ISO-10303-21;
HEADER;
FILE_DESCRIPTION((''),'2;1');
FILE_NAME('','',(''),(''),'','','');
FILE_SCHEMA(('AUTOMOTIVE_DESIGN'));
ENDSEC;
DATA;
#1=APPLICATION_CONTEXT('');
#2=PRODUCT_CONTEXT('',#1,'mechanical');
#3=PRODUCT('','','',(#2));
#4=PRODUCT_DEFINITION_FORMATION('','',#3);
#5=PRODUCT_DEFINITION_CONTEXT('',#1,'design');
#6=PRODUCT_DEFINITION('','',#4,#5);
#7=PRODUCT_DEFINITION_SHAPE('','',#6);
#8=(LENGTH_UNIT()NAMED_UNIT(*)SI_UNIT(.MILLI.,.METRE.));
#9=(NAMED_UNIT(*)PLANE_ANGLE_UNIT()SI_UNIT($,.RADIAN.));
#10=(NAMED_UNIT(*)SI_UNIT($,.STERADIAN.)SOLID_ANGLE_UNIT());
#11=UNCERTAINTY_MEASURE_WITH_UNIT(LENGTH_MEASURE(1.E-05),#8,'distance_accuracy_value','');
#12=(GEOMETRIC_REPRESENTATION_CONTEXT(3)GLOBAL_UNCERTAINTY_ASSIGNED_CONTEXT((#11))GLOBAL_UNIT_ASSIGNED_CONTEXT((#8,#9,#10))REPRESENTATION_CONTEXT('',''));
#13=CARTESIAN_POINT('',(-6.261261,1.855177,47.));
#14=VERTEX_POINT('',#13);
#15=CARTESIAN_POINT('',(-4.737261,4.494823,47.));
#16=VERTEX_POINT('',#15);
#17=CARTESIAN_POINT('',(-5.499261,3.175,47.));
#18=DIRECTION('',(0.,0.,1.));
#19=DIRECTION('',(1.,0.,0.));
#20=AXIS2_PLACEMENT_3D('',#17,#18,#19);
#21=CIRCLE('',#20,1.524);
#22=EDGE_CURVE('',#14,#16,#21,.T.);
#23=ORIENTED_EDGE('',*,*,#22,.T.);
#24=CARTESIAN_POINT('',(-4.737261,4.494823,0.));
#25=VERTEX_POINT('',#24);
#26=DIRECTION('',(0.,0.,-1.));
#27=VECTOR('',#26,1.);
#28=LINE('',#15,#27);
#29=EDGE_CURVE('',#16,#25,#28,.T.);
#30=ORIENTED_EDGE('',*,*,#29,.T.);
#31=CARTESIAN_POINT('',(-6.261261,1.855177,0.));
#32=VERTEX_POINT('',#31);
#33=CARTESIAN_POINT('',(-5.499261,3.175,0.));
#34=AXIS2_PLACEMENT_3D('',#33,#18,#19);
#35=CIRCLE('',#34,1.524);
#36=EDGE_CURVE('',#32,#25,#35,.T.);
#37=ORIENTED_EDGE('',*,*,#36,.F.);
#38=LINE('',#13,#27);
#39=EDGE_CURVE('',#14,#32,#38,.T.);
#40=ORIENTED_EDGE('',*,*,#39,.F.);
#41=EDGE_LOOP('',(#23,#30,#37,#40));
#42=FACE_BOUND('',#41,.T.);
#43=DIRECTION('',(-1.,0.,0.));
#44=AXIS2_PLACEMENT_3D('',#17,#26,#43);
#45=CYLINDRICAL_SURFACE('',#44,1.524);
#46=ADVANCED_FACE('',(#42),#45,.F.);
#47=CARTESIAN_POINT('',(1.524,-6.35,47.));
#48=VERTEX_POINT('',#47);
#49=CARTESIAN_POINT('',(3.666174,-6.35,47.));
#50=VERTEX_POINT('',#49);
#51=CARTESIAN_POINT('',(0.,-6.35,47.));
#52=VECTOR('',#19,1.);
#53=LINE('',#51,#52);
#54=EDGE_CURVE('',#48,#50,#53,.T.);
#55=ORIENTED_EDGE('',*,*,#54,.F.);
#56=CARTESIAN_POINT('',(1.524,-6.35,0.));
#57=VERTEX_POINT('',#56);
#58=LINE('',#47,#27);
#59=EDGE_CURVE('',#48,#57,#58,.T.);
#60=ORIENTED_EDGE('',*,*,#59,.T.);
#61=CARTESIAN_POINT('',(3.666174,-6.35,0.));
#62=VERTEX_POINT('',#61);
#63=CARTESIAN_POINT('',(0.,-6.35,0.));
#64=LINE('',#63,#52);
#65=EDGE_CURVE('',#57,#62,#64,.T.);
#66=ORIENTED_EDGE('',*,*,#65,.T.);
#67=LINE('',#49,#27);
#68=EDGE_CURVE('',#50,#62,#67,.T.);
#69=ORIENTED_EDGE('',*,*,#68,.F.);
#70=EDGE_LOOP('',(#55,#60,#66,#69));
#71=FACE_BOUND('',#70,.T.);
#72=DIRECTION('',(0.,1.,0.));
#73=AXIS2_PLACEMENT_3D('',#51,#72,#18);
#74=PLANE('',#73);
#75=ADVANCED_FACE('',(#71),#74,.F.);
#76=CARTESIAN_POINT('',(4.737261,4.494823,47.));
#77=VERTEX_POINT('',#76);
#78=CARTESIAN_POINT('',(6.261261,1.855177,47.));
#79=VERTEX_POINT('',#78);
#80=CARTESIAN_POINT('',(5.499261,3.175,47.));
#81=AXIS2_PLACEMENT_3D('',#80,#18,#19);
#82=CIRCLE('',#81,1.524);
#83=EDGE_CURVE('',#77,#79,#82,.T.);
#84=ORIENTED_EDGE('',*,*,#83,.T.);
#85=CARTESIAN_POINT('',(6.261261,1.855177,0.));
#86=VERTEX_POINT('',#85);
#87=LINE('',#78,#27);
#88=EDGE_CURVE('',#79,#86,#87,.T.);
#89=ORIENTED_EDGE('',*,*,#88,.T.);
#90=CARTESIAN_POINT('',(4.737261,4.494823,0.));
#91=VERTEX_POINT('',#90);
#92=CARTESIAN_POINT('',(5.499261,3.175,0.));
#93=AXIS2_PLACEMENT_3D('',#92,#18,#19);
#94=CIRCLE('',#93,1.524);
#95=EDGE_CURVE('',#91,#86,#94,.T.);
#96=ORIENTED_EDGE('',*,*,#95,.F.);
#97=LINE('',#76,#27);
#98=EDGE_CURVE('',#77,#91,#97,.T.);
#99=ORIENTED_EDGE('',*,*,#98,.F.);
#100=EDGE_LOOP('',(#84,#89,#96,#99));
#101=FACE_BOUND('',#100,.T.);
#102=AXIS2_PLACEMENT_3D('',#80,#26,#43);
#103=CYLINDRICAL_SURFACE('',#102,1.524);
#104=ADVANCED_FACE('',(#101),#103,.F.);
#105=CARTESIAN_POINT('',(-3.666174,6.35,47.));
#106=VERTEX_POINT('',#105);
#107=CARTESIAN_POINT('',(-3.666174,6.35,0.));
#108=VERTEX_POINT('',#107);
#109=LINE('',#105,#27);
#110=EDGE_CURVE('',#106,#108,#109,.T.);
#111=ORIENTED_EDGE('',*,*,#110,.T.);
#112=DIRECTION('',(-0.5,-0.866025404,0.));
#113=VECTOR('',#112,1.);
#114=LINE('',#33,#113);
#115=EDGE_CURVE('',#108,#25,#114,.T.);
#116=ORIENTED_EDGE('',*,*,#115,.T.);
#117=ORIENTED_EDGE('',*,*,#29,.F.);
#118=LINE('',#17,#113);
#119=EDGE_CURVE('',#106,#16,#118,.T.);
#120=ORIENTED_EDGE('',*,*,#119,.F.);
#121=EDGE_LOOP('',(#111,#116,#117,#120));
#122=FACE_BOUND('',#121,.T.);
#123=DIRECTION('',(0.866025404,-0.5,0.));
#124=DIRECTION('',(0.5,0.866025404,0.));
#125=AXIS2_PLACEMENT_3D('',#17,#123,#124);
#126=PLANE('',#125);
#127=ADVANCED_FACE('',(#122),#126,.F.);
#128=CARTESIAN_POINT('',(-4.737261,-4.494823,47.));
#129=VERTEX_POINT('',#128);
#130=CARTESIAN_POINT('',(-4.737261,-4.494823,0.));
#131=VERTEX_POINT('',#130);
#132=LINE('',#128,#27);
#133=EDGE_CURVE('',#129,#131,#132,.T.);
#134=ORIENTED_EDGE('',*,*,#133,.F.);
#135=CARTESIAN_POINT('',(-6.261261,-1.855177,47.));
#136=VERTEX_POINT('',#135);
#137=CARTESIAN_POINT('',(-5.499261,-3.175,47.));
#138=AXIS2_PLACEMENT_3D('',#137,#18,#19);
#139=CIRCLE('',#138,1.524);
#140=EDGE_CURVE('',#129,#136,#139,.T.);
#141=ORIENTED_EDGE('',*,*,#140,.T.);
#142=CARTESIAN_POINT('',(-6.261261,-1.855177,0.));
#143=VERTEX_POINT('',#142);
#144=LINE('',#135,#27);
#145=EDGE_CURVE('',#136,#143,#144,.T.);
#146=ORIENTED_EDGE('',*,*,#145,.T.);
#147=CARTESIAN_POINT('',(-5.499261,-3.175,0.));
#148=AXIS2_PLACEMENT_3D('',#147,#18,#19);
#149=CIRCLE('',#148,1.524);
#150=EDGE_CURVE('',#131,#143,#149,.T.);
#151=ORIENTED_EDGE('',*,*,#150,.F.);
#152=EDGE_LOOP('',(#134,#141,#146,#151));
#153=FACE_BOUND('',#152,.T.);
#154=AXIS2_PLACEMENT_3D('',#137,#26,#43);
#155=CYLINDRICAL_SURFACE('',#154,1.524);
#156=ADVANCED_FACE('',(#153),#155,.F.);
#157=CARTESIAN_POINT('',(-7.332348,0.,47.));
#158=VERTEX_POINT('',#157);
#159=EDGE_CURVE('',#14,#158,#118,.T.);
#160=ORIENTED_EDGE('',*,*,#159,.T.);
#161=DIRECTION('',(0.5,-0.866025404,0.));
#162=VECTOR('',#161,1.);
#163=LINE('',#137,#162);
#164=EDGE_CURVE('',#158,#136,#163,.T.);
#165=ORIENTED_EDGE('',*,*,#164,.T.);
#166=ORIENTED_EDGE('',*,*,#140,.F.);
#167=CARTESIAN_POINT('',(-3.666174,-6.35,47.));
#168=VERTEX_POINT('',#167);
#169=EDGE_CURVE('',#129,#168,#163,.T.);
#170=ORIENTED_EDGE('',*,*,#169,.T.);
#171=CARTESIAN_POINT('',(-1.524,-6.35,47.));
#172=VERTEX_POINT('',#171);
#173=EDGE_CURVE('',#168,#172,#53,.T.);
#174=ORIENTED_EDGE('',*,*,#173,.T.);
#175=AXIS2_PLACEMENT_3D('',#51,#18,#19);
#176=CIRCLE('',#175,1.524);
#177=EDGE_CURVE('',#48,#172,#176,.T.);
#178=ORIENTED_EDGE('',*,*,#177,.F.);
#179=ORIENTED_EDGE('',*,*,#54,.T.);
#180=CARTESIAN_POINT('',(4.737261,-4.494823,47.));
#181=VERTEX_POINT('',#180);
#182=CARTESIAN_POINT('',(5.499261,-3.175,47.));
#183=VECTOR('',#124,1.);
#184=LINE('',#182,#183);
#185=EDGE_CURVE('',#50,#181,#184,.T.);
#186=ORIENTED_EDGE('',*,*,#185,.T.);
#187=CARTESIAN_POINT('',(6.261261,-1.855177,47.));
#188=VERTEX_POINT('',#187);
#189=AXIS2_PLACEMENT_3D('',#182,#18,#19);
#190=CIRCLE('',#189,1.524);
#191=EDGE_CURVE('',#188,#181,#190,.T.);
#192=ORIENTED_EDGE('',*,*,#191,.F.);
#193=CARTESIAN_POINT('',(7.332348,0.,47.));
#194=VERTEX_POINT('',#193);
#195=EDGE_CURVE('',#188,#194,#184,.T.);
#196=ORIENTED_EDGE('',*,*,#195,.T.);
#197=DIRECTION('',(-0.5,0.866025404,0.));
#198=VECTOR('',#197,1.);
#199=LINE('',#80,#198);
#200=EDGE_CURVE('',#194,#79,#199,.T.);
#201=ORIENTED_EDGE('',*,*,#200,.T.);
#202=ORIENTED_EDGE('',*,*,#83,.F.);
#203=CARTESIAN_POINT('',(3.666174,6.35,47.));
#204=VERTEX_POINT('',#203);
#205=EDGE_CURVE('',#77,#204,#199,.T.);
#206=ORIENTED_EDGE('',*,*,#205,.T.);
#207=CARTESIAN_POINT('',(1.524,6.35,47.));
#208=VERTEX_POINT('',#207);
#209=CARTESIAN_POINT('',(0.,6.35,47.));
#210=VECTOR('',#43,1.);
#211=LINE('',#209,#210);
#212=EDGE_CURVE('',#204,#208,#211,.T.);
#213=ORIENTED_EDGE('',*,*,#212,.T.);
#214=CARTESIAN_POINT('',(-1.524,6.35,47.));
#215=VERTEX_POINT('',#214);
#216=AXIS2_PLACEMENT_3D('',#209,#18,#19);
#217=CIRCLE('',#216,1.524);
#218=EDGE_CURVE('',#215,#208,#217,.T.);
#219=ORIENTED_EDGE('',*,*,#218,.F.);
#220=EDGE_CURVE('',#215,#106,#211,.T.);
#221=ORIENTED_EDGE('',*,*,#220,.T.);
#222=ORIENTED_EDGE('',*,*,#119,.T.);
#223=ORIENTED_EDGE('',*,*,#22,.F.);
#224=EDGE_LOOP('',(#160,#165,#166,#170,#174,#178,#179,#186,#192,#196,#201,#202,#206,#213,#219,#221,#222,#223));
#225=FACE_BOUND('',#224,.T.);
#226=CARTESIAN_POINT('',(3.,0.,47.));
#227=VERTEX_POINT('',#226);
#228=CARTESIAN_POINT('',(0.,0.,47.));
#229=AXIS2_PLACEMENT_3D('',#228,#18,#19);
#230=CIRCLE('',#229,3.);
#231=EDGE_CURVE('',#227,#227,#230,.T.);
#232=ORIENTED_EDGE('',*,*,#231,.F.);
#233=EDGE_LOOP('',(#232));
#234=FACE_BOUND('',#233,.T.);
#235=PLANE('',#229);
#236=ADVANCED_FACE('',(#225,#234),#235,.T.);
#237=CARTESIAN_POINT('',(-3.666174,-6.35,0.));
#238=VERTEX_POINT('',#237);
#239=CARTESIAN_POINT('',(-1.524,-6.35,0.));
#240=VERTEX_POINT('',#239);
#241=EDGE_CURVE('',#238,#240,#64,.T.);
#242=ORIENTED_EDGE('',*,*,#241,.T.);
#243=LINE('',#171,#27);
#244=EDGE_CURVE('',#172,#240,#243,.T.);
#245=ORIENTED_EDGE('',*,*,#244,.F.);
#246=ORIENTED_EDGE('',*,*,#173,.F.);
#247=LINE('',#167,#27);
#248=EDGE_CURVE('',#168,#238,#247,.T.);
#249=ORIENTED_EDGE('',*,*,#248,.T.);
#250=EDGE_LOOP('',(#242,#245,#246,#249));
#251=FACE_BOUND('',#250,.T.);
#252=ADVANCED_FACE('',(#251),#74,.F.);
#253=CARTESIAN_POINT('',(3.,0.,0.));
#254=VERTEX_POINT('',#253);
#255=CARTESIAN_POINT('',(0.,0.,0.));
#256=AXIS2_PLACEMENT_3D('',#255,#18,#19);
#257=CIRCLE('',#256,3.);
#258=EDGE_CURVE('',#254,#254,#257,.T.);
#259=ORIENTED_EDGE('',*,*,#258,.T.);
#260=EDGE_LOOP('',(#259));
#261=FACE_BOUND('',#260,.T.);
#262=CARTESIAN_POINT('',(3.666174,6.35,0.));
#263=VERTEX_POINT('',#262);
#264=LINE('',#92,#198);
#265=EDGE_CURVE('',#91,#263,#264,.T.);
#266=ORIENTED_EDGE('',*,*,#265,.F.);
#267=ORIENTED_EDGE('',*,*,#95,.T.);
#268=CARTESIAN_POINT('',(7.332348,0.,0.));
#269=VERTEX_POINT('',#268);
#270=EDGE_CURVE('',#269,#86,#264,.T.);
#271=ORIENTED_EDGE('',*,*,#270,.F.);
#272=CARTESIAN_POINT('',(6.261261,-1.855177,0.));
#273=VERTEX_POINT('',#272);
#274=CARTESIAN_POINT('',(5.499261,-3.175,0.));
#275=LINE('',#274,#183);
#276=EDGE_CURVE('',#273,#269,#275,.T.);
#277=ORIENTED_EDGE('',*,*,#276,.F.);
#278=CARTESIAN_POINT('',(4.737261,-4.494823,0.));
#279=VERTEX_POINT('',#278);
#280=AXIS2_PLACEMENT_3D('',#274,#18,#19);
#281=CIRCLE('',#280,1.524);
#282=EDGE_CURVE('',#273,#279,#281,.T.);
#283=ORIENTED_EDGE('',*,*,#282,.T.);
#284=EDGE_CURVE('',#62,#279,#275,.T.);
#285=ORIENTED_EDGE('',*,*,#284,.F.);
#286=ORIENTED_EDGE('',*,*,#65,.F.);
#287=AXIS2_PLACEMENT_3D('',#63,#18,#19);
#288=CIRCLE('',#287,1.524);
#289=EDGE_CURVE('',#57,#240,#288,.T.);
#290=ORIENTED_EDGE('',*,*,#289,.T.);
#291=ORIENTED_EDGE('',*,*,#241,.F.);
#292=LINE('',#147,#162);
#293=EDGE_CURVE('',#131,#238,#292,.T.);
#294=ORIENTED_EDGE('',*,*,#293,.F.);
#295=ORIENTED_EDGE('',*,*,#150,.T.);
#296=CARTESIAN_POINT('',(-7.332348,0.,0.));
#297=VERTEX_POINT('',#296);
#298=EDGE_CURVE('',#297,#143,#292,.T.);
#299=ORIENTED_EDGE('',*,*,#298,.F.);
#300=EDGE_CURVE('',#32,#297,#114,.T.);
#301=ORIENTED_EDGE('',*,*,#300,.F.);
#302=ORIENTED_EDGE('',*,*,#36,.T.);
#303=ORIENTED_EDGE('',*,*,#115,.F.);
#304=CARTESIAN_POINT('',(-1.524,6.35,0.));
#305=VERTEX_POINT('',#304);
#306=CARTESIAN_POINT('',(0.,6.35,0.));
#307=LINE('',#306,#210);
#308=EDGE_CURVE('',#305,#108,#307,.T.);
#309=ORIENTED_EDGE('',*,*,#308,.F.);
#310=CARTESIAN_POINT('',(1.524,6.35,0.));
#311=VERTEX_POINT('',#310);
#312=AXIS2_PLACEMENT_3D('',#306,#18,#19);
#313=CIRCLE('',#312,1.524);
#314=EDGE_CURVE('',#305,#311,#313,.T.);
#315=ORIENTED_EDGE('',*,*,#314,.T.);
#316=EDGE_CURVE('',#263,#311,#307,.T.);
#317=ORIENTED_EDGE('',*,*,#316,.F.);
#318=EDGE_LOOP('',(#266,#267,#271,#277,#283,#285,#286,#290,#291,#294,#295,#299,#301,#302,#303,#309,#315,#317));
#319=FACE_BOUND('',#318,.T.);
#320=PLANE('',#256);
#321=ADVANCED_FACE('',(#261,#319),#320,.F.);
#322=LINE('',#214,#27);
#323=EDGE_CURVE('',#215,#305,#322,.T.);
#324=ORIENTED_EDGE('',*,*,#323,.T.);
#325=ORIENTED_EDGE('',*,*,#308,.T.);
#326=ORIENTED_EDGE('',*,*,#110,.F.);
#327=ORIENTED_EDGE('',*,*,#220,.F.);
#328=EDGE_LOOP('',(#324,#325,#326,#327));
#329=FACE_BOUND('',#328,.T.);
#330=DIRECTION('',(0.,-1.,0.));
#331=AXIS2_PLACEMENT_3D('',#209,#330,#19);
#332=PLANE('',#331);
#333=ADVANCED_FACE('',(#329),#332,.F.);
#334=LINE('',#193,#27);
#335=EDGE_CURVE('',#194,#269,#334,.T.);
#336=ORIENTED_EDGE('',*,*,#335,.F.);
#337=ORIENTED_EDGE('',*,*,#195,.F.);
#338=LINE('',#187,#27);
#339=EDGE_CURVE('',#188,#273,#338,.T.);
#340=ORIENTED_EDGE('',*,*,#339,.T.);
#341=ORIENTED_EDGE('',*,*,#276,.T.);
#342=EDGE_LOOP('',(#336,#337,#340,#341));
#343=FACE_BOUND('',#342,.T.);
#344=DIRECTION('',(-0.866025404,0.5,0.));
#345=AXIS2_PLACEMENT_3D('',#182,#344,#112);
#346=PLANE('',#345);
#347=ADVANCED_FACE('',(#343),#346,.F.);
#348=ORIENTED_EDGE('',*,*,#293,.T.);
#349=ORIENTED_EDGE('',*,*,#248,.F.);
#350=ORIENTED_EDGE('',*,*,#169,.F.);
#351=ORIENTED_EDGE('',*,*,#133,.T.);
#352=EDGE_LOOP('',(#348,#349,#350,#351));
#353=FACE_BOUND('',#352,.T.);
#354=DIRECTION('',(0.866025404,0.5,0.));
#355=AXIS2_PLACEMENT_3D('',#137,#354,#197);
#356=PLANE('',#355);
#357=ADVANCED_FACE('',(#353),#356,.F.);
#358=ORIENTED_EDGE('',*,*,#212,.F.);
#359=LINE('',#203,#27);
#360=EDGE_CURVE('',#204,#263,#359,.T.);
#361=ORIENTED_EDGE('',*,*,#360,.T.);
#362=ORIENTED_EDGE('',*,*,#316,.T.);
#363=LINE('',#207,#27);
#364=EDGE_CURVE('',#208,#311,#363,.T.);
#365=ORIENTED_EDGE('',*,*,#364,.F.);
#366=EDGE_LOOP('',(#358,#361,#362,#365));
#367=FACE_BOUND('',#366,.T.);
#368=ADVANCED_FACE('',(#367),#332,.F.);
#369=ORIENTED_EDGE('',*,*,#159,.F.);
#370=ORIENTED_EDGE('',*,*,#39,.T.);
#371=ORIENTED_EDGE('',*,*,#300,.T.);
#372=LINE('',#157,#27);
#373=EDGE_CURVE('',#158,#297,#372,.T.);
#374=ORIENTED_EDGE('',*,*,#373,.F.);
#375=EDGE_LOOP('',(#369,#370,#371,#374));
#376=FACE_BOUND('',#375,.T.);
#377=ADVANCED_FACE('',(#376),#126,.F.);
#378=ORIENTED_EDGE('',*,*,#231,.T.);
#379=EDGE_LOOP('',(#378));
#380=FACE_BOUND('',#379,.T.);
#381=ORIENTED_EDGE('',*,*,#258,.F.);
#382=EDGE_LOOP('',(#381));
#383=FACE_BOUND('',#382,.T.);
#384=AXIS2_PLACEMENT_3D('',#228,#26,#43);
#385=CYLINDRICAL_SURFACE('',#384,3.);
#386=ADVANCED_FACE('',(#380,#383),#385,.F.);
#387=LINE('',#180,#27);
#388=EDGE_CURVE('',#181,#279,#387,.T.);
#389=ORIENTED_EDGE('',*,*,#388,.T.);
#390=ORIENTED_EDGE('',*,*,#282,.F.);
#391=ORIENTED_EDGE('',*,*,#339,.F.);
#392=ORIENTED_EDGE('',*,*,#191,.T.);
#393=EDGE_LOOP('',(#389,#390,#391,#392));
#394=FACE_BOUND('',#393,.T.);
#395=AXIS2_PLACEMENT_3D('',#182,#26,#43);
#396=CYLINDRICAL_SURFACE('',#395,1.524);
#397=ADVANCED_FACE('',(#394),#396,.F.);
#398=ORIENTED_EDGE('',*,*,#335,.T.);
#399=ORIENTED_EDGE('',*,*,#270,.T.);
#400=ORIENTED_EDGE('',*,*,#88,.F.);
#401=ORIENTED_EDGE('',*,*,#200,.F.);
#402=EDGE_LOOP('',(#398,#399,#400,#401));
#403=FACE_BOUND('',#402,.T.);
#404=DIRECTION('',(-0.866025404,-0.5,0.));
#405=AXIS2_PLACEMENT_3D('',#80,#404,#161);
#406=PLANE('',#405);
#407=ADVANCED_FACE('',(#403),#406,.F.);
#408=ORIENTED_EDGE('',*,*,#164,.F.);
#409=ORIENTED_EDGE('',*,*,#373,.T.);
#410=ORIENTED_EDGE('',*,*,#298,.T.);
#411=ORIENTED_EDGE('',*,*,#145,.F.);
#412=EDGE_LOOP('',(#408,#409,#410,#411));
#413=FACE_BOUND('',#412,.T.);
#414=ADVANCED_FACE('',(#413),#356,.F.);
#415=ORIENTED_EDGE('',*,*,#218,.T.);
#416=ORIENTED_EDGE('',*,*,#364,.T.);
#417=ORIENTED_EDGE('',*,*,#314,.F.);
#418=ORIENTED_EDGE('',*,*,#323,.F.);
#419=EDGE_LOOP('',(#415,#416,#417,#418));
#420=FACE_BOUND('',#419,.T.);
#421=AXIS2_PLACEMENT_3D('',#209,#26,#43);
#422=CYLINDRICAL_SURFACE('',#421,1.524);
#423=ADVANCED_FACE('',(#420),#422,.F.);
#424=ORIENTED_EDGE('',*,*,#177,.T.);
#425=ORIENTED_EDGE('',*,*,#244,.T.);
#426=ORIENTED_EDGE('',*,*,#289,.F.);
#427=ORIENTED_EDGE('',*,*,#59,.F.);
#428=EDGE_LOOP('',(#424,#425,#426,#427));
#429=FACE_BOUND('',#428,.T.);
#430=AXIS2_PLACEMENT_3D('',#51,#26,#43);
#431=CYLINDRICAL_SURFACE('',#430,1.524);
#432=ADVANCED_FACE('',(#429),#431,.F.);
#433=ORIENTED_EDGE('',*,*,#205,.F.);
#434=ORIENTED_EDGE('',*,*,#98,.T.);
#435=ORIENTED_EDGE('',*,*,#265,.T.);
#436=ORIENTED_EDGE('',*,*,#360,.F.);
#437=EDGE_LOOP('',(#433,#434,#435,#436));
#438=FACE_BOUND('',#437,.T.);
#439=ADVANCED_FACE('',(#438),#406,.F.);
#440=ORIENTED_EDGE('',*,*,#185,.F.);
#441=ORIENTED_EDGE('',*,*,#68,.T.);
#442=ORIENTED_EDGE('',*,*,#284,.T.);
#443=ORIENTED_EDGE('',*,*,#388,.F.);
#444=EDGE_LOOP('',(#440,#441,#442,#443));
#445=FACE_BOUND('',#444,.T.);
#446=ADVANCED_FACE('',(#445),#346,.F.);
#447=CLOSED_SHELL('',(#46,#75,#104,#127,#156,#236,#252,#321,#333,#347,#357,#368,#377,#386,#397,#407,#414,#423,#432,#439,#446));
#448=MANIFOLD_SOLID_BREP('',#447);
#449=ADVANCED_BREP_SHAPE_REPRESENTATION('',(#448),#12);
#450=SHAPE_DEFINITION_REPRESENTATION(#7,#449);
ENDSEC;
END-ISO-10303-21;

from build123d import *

# Parameters (mm, degrees)
ESBO_O1_R                = 3
RESSALTO_EXTRUS_O1_DEPTH = 47


with BuildPart() as part:
    # Esboço1 → Ressalto-extrusão1 (new body)
    with BuildSketch(Plane.XY):
        with BuildLine():
            Line((4.737261314, 4.494822715), (3.666174209, 6.35))
            Line((3.666174209, 6.35), (1.524, 6.35))
            ThreePointArc((1.524, 6.35), (0, 4.826), (-1.524, 6.35))
            Line((-1.524, 6.35), (-3.666174209, 6.35))
            Line((-3.666174209, 6.35), (-4.737261314, 4.494822715))
            ThreePointArc((-4.737261314, 4.494822715), (-4.179438599, 3.937), (-3.975261314, 3.175))
            ThreePointArc((-3.975261314, 3.175), (-4.737261314, 1.855177285), (-6.261261314, 1.855177285))
            Line((-6.261261314, 1.855177285), (-7.332348419, 0))
            Line((-7.332348419, 0), (-6.261261314, -1.855177285))
            ThreePointArc((-6.261261314, -1.855177285), (-4.737261314, -1.855177285), (-3.975261314, -3.175))
            ThreePointArc((-3.975261314, -3.175), (-4.179438599, -3.937), (-4.737261314, -4.494822715))
            Line((-4.737261314, -4.494822715), (-3.666174209, -6.35))
            Line((-3.666174209, -6.35), (-1.524, -6.35))
            ThreePointArc((-1.524, -6.35), (0, -4.826), (1.524, -6.35))
            Line((1.524, -6.35), (3.666174209, -6.35))
            Line((3.666174209, -6.35), (4.737261314, -4.494822715))
            ThreePointArc((4.737261314, -4.494822715), (4.179438599, -2.413), (6.261261314, -1.855177285))
            Line((6.261261314, -1.855177285), (7.332348419, 0))
            Line((7.332348419, 0), (6.261261314, 1.855177285))
            ThreePointArc((6.261261314, 1.855177285), (4.179438599, 2.413), (4.737261314, 4.494822715))
        make_face()
        Circle(ESBO_O1_R, mode=Mode.SUBTRACT)
    extrude(amount=RESSALTO_EXTRUS_O1_DEPTH)


solid = part.part
